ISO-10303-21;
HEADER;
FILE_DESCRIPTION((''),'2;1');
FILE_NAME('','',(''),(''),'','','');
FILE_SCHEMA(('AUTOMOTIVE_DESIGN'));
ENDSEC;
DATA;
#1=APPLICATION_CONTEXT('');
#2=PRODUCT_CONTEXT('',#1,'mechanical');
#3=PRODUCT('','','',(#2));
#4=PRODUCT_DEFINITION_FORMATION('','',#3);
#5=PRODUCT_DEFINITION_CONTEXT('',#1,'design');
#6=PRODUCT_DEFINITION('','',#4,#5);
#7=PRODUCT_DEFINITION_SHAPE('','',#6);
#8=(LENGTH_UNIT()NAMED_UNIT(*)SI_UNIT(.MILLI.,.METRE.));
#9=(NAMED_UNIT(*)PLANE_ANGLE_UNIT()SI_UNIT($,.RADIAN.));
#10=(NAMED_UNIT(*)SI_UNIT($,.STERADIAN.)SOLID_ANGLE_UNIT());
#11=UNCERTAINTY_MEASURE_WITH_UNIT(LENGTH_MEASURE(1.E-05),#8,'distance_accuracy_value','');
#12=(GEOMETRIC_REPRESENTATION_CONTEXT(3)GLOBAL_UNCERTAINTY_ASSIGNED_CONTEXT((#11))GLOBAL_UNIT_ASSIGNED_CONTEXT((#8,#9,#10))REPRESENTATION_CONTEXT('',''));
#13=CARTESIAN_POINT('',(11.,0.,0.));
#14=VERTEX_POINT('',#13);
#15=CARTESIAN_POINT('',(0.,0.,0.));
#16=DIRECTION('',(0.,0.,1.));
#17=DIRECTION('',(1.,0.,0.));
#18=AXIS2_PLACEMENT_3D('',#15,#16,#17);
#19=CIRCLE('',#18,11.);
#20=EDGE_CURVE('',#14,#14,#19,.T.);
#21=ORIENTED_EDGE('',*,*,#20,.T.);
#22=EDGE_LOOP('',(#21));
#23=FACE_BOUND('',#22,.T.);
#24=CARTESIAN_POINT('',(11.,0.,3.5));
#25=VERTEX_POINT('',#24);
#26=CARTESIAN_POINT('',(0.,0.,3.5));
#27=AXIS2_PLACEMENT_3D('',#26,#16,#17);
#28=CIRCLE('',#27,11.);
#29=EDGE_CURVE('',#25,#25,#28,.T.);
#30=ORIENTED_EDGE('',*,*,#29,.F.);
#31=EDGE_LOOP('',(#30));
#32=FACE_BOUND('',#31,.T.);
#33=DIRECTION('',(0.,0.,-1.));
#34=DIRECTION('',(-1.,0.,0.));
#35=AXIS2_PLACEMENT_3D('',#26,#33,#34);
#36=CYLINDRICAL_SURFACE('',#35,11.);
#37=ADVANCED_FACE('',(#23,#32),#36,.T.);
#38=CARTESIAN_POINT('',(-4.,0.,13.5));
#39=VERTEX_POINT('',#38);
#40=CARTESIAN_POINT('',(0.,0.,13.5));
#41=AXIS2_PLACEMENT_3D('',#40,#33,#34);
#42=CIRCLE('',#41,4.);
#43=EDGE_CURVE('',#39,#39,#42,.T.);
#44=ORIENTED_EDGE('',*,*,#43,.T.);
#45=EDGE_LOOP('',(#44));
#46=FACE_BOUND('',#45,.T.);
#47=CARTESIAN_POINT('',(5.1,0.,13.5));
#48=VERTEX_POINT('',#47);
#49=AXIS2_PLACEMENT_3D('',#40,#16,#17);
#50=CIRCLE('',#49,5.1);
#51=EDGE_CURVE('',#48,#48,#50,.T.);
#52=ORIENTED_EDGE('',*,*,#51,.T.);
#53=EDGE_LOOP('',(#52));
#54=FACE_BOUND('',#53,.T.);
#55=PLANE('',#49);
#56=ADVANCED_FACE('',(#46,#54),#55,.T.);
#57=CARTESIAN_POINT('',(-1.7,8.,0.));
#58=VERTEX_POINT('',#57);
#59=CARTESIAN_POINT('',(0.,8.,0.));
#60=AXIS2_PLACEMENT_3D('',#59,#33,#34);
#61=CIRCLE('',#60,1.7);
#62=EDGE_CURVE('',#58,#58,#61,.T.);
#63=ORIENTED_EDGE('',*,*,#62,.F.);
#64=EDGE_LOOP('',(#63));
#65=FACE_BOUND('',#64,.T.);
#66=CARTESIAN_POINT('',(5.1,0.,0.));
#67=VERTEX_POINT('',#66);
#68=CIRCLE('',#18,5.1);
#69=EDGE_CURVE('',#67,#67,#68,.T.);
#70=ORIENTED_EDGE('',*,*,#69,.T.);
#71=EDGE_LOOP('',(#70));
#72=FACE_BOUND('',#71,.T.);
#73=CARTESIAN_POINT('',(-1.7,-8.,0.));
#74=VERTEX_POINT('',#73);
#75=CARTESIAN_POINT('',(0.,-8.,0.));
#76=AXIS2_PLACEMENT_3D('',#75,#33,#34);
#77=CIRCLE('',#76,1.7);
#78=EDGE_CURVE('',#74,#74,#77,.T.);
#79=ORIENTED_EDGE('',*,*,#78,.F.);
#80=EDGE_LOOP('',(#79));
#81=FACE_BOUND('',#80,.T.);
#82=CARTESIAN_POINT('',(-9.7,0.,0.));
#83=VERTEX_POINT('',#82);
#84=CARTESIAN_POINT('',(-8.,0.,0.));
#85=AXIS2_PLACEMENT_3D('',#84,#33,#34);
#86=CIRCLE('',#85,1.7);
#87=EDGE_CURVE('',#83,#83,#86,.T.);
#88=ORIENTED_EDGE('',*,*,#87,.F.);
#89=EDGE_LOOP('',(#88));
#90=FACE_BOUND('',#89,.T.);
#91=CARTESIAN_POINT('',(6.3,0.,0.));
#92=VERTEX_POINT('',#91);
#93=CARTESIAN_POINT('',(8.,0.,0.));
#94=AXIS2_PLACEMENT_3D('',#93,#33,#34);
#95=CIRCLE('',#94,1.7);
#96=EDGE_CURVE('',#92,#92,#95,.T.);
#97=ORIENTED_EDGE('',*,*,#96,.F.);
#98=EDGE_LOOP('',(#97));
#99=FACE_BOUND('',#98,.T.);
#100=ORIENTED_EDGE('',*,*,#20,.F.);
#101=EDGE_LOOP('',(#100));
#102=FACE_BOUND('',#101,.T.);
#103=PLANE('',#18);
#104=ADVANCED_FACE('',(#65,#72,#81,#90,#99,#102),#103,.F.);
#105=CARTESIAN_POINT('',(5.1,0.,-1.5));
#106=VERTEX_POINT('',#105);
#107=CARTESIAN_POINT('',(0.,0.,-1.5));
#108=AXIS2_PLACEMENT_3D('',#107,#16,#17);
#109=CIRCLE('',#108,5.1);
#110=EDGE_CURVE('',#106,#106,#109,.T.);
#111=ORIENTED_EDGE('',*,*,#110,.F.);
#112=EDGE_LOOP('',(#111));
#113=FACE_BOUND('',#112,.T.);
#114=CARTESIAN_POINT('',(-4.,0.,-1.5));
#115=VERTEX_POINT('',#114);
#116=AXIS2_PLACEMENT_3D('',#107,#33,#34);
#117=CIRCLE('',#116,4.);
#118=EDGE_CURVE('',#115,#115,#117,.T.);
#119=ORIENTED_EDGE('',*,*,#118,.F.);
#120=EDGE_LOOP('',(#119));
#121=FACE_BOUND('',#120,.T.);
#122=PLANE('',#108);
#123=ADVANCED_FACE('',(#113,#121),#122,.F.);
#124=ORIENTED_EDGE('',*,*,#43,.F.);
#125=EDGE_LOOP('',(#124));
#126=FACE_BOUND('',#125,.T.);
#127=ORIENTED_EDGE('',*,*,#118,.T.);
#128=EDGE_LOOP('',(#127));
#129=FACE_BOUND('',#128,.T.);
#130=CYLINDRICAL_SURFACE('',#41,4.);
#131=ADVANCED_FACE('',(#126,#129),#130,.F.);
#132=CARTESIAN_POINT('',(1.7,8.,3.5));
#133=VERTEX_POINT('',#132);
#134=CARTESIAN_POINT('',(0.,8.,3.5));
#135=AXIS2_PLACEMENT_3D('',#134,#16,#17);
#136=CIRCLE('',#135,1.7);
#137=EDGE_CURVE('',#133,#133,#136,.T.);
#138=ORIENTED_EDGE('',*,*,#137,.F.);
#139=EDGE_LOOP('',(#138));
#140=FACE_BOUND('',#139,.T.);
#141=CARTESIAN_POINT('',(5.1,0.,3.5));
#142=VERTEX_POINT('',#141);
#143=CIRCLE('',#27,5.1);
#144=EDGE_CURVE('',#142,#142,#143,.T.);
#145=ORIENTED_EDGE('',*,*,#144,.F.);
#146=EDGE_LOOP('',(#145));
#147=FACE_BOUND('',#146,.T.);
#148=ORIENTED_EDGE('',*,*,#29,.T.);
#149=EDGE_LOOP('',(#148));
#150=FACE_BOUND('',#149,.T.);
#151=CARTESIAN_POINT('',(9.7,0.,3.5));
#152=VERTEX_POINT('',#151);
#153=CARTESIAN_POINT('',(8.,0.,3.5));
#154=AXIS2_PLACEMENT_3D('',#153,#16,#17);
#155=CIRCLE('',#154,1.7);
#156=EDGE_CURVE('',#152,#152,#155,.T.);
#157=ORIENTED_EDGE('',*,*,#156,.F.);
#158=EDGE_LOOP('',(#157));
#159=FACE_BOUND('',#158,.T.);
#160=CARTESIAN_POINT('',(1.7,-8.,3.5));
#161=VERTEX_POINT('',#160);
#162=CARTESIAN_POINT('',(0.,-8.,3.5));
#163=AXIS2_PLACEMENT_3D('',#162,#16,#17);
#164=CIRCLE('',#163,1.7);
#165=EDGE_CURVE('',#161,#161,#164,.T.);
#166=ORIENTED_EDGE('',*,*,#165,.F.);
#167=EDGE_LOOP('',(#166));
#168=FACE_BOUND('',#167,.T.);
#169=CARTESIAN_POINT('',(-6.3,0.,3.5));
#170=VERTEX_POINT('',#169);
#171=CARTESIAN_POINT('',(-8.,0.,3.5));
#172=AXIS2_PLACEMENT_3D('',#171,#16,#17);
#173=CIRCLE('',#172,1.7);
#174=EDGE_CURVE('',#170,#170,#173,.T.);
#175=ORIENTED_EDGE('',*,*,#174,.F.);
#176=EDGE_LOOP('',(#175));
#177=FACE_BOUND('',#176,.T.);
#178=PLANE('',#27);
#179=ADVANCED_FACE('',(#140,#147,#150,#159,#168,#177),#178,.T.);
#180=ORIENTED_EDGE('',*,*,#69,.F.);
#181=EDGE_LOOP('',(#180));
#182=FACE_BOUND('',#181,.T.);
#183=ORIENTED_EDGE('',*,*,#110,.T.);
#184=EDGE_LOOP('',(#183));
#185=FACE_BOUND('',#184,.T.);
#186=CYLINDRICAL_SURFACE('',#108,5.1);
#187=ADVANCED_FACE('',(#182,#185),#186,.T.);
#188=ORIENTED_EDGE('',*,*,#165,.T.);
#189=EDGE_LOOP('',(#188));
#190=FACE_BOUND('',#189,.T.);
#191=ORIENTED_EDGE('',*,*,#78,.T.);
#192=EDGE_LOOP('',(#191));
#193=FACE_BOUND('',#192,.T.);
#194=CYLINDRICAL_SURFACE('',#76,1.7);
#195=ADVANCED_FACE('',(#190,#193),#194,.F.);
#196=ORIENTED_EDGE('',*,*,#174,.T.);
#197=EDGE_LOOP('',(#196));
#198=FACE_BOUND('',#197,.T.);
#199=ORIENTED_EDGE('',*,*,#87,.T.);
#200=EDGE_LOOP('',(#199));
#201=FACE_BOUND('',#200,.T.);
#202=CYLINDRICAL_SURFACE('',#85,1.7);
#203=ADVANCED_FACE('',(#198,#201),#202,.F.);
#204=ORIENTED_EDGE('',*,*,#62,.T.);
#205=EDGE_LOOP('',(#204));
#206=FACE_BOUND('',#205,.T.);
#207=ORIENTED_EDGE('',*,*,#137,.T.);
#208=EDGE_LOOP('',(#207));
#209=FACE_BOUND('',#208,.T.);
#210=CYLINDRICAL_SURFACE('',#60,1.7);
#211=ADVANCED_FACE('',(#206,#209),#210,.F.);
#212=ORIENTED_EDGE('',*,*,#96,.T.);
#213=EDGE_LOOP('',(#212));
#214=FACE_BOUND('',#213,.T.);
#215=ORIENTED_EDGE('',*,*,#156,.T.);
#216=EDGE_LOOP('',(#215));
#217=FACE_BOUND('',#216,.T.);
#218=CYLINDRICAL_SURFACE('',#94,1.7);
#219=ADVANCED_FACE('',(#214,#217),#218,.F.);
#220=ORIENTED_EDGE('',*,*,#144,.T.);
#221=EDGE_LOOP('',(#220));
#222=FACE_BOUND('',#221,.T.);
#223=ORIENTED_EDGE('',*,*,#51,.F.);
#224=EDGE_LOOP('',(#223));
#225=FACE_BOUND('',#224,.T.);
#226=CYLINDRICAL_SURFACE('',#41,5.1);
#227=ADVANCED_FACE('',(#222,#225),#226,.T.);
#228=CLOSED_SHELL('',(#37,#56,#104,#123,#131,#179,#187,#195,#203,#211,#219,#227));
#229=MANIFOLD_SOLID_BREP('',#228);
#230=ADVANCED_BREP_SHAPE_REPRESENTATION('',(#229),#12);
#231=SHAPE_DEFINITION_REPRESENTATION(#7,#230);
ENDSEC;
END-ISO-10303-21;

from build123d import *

# Parameters (mm, degrees)
SKETCH_1_R          = 11
EXTRUDE_1_DEPTH     = 3.5
SKETCH_2_R          = 5.1
EXTRUDE_2_DEPTH     = 10
EXTRUDE_START       = -3.5
SKETCH_2_3_R        = 5.1
EXTRUDE_3_DEPTH     = 1.5
SKETCH_3_R          = 4
CUT_EXTRUDE_1_DEPTH = 16
HOLE_WIZARD_M3_1_D  = 3.4


with BuildPart() as part:
    # 草圖1 → 填料-伸長1 (new body)
    with BuildSketch(Plane.XY):
        Circle(SKETCH_1_R)
    extrude(amount=EXTRUDE_1_DEPTH)

    # 草圖2 → 填料-伸長2 (add)
    with BuildSketch(Plane.XY.offset(3.5)):
        Circle(SKETCH_2_R)
    extrude(amount=EXTRUDE_2_DEPTH)

    # 草圖2<3> → 填料-伸長3 (add)
    with BuildSketch(Plane.XY.offset(3.5).offset(EXTRUDE_START)):
        Circle(SKETCH_2_3_R)
    extrude(amount=-EXTRUDE_3_DEPTH)

    # 草圖3 → 除料-伸長1 (cut, through all)
    with BuildSketch(Plane(origin=(0, 0, -1.5), x_dir=(-1, 0, 0), z_dir=(0, 0, -1))):
        Circle(SKETCH_3_R)
    extrude(amount=-CUT_EXTRUDE_1_DEPTH, mode=Mode.SUBTRACT)

    # M3 餘隙孔1 (through all)
    with Locations(Plane(origin=(0, 0, 0), x_dir=(-1, 0, 0), z_dir=(0, 0, -1))):
        with Locations((-8, 0), (0, 8), (8, 0), (0, -8)):
            Hole(HOLE_WIZARD_M3_1_D / 2)


solid = part.part
